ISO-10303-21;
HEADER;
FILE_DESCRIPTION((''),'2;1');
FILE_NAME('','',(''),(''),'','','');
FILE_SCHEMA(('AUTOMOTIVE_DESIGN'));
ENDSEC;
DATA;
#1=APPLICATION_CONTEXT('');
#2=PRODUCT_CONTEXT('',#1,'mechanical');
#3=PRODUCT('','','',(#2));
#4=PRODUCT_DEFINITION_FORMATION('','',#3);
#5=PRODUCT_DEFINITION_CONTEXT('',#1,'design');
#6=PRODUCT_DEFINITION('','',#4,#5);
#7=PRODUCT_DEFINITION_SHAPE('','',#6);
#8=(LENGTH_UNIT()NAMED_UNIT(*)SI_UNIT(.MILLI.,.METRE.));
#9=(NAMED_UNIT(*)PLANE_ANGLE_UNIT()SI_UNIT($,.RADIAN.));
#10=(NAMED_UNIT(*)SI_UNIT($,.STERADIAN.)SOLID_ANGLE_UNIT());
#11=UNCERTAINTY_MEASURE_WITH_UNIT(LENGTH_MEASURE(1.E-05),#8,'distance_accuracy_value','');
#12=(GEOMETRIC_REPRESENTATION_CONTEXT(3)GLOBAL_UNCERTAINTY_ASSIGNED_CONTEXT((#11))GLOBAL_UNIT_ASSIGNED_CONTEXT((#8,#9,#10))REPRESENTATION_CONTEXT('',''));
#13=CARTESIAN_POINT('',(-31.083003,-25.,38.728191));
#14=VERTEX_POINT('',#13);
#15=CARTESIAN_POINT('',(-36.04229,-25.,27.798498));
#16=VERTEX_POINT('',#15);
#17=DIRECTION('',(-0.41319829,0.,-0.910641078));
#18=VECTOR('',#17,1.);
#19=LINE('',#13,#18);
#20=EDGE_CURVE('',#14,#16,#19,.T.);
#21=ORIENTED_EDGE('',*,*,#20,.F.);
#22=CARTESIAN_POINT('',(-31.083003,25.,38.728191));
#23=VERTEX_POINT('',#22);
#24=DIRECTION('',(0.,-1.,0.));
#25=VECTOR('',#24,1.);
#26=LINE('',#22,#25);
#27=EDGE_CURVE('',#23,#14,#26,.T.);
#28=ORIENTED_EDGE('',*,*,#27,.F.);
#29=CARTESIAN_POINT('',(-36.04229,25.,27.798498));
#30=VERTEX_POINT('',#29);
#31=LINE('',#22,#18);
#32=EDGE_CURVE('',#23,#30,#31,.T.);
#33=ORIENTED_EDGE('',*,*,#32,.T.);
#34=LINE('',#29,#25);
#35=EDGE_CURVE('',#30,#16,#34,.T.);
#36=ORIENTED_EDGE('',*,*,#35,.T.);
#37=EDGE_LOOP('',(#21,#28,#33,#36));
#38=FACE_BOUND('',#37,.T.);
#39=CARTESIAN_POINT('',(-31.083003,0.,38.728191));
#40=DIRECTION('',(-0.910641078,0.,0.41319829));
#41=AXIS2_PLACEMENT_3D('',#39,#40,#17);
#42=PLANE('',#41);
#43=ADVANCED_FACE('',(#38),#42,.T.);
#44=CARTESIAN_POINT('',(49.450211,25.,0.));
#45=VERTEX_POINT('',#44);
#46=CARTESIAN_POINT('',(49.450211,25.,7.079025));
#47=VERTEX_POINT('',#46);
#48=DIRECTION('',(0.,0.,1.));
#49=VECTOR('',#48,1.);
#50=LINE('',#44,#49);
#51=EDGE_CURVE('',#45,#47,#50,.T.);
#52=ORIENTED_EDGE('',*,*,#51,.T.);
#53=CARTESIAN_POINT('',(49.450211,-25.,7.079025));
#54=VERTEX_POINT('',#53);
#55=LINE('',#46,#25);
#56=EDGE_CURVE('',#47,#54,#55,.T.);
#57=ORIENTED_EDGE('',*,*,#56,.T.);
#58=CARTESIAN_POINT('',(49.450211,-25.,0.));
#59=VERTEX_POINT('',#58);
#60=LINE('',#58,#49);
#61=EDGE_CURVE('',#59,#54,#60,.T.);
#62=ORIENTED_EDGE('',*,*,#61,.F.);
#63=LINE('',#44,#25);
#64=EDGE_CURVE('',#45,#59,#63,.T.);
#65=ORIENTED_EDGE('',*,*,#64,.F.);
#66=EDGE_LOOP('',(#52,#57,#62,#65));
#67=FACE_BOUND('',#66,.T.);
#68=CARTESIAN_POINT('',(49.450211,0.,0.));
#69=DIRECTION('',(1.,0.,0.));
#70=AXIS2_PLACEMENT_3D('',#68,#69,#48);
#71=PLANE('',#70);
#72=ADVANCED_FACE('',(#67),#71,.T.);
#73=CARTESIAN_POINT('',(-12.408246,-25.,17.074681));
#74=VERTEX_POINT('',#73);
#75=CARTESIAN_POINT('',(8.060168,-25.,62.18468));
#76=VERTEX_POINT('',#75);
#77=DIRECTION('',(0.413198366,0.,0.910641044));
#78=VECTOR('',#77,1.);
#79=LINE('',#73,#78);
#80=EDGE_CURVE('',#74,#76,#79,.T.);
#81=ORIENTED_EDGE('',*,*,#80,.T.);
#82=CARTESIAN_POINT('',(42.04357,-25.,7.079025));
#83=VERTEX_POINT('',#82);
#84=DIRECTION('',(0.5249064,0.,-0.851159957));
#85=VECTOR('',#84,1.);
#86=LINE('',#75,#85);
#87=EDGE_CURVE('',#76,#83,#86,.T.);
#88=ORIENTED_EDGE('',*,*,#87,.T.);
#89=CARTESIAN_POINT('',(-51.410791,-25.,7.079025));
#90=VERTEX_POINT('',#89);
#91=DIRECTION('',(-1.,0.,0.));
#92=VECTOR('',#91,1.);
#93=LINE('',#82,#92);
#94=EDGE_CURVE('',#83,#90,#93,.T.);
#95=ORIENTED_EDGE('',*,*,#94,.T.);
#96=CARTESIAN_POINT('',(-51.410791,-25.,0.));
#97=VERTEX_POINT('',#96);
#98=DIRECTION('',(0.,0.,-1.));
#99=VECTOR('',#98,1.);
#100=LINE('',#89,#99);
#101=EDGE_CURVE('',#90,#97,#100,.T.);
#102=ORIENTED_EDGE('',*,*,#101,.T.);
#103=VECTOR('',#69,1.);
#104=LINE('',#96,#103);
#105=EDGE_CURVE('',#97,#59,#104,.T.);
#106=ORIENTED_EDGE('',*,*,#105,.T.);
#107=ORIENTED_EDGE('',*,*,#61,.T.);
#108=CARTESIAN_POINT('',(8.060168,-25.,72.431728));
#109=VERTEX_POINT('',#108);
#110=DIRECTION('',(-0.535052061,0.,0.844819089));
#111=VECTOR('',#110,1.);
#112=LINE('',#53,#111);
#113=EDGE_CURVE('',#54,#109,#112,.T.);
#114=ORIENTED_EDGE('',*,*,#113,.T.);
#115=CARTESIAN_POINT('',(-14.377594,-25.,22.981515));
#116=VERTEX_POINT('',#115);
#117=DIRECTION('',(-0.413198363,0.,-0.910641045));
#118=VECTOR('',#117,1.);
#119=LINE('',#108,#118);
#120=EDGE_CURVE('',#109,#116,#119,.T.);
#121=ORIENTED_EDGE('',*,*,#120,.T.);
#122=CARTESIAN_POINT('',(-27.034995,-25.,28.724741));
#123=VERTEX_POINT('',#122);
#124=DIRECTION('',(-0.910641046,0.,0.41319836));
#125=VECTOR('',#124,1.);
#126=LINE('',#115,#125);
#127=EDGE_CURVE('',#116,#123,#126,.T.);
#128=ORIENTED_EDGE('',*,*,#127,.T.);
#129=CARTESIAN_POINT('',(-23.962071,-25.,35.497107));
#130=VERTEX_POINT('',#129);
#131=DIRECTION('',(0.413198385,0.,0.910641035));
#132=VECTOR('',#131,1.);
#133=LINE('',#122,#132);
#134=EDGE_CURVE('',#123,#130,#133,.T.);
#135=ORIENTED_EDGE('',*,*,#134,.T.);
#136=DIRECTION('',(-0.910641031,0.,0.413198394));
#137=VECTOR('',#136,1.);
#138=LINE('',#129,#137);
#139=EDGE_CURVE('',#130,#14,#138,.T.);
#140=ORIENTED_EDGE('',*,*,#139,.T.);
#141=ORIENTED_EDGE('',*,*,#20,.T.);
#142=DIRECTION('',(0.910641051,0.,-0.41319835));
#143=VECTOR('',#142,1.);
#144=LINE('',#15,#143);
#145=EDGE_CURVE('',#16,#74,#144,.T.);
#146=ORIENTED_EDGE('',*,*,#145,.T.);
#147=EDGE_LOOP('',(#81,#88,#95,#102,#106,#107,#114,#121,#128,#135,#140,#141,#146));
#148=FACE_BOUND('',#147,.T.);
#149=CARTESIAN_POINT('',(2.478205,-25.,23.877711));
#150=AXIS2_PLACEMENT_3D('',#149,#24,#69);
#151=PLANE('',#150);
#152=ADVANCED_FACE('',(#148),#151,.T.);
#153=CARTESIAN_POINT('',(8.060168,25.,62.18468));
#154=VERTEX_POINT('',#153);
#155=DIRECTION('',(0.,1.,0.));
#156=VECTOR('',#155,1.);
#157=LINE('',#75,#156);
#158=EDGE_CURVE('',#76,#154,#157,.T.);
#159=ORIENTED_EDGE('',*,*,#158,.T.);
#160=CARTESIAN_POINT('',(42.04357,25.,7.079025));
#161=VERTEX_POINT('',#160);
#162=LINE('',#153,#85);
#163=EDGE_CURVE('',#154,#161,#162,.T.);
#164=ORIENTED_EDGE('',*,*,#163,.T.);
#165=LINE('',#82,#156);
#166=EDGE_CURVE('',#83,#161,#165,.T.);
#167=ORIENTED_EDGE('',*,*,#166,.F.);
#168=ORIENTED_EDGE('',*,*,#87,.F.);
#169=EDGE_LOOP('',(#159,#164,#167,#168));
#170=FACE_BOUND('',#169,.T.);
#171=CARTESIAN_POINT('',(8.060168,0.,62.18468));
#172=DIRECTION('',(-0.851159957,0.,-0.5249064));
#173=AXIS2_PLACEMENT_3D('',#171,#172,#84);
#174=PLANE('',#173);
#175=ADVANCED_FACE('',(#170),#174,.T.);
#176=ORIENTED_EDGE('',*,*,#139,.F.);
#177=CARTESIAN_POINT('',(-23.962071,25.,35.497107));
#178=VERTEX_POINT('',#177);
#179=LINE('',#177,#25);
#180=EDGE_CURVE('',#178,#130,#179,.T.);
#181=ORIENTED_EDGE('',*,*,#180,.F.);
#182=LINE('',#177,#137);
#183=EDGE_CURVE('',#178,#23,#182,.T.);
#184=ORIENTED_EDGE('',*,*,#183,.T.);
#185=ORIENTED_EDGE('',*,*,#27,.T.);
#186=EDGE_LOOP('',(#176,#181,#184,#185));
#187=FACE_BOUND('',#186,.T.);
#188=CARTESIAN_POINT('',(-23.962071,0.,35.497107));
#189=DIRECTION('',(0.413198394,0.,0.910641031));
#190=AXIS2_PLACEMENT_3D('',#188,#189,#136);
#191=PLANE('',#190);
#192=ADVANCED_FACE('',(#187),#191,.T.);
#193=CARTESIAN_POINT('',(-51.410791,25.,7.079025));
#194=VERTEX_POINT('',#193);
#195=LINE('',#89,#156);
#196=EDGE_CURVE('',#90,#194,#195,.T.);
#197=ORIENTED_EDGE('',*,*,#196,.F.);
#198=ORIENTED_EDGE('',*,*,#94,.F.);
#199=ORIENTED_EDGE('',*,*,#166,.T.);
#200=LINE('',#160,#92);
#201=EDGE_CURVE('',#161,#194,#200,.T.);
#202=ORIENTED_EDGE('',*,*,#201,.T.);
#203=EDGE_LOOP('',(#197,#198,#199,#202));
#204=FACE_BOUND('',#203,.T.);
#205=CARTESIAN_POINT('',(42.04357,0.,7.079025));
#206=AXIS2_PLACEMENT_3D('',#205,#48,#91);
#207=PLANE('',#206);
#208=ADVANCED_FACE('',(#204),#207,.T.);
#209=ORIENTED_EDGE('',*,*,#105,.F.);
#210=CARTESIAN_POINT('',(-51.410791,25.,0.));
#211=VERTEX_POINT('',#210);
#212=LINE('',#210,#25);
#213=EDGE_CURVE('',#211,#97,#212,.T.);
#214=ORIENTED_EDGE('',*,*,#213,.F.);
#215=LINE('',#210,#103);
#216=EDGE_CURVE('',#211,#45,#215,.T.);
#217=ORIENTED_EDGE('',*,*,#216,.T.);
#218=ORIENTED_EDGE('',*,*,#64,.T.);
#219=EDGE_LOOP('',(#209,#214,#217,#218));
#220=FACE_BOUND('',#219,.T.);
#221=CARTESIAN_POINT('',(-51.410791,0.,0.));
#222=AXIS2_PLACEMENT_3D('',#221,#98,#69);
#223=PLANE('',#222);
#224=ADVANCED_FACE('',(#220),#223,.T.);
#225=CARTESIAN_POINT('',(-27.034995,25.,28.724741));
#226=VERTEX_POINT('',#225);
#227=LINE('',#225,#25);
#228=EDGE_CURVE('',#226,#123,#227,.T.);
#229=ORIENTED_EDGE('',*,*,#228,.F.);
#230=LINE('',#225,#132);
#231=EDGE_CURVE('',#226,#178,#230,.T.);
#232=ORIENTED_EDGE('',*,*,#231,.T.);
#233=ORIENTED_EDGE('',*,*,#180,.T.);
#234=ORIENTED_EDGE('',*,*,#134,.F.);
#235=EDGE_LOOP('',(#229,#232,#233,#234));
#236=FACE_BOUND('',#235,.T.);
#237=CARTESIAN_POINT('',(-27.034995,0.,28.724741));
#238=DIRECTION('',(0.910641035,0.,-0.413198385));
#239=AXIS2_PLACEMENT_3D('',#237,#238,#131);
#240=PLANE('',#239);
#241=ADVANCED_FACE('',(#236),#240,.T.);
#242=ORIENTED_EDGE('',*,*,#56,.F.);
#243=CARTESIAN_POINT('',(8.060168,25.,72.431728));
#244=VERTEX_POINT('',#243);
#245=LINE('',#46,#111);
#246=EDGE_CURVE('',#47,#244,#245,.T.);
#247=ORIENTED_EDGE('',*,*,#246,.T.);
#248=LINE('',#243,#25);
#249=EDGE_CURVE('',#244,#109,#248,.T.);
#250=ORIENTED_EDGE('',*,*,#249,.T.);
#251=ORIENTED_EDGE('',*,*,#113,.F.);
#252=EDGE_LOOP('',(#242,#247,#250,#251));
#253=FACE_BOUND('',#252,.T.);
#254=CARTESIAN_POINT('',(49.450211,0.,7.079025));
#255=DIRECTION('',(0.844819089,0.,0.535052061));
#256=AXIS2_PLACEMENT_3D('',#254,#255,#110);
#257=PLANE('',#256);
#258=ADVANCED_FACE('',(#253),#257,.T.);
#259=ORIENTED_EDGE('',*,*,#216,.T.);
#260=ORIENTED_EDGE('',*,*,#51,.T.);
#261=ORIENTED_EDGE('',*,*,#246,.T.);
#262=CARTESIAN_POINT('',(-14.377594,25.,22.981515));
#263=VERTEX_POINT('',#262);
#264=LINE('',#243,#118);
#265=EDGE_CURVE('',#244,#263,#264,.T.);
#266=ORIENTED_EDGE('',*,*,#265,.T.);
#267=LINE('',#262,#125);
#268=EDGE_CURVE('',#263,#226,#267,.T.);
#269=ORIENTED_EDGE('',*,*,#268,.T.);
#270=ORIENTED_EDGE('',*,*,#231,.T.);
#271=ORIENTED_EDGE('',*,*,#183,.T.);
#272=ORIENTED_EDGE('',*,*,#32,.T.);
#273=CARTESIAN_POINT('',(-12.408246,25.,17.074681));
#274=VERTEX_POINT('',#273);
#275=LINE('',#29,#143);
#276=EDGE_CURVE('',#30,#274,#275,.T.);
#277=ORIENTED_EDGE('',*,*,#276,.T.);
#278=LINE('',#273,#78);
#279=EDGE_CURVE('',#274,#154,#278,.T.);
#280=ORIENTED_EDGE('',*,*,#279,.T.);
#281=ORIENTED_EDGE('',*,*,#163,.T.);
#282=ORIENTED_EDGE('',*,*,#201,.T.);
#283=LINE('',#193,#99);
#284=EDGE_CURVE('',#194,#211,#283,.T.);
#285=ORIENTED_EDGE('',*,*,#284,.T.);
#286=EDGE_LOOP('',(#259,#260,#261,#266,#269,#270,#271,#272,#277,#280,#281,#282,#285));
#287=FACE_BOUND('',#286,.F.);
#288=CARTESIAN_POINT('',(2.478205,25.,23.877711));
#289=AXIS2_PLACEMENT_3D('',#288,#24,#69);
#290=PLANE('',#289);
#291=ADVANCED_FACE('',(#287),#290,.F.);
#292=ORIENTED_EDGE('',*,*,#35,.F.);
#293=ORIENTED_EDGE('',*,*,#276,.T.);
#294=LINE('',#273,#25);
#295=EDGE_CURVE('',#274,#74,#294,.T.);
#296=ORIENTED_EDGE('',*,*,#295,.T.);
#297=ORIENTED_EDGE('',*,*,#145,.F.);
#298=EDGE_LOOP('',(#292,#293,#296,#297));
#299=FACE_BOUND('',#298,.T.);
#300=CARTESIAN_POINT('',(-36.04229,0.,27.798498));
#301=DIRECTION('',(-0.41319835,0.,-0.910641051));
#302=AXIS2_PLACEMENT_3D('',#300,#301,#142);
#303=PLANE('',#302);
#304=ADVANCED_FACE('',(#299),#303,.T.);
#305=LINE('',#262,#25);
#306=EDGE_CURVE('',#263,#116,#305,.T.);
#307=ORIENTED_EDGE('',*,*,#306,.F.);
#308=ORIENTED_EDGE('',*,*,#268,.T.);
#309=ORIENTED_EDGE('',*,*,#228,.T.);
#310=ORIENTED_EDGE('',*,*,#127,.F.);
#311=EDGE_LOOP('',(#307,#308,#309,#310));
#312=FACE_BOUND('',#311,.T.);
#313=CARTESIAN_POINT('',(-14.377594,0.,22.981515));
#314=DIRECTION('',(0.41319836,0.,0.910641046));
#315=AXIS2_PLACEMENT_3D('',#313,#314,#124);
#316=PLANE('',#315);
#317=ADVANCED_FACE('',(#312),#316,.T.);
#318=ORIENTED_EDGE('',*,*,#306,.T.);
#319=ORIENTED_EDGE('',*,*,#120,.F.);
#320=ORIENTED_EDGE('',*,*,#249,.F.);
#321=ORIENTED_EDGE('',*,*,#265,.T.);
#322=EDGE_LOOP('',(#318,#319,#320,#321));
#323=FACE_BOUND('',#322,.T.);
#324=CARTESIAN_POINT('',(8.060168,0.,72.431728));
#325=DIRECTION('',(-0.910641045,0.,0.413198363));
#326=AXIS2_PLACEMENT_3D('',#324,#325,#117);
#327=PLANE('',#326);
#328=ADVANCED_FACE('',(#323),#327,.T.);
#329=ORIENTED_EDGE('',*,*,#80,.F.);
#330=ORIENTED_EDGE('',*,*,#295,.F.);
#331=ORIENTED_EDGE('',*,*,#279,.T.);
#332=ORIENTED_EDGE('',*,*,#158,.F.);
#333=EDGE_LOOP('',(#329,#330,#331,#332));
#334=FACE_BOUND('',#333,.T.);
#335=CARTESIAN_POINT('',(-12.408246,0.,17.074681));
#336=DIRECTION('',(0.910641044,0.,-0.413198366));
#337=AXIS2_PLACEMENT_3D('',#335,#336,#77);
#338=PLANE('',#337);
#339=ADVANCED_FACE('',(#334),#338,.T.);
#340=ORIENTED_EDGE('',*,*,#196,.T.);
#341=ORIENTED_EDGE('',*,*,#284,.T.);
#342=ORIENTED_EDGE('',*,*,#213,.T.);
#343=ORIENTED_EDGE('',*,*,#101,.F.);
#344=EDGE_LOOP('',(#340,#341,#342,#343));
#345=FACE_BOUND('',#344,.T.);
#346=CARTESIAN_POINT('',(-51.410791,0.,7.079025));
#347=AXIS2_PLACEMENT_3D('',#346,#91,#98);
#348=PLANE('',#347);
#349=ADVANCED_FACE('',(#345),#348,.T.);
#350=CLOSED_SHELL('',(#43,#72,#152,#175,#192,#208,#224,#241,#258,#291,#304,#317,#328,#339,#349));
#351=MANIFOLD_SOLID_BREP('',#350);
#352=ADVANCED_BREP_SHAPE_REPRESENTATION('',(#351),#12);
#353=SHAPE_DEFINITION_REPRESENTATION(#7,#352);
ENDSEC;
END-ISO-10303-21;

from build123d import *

# Parameters (mm, degrees)
F1_DEPTH = 25


with BuildPart() as f1:
    # F0 (on Front) → F1 (new body, symmetric)
    with BuildSketch(Plane.XZ):
        Polygon((-51.410791, 7.079025), (-51.410791, 0), (49.450211, 0), (49.450211, 7.079025), (8.060168, 72.431728), (-14.377594, 22.981515), (-27.034995, 28.724741), (-23.962071, 35.497107), (-31.083003, 38.728191), (-36.04229, 27.798498), (-12.408246, 17.074681), (8.060168, 62.18468), (42.04357, 7.079025), align=None)
    extrude(amount=F1_DEPTH, both=True)


solid = f1.part
